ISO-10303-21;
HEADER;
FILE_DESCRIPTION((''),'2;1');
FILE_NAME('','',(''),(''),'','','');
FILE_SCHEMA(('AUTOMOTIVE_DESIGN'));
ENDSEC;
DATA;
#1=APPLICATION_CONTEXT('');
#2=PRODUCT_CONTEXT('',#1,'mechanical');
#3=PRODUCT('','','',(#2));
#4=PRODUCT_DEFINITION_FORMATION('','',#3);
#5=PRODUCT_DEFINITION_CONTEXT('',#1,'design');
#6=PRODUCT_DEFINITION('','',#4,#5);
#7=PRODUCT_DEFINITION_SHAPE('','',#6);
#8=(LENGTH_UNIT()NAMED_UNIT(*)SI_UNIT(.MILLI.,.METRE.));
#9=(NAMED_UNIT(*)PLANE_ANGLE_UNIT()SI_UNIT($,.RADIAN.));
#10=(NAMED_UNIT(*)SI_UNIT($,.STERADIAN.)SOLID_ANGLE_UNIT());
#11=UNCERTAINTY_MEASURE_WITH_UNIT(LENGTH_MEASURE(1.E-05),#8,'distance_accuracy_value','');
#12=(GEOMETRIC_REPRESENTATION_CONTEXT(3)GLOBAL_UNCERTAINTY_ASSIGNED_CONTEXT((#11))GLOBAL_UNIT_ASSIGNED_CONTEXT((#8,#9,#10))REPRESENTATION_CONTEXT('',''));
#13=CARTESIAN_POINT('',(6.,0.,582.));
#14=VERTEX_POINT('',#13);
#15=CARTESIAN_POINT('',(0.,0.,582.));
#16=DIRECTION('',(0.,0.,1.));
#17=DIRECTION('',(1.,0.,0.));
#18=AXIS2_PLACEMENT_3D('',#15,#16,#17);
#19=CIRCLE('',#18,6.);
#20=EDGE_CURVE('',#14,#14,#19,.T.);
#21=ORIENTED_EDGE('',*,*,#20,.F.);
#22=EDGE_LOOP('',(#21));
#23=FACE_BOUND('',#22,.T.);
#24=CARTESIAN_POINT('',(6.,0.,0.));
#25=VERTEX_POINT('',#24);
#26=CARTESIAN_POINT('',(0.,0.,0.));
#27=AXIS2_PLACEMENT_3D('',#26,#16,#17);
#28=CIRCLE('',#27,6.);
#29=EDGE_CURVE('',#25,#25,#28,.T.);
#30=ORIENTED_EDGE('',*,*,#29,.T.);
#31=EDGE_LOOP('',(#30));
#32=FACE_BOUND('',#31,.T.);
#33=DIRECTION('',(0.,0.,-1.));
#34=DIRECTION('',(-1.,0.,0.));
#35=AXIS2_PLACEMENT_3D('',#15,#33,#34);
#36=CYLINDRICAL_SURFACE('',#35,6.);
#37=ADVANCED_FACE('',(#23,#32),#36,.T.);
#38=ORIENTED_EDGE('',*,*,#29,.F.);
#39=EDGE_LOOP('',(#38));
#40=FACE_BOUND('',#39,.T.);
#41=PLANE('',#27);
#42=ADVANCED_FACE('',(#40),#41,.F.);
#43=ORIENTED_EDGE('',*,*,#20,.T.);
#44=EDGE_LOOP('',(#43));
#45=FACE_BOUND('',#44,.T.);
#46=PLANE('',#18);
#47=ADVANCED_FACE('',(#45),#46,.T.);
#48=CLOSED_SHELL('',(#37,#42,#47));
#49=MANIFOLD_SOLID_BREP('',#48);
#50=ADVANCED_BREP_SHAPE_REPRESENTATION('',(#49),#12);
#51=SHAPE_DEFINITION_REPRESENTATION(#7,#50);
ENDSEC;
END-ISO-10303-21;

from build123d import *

# Parameters (mm, degrees)
IZIM1_R                     = 6
Y_KSEKLIK_EKSTR_ZYON1_DEPTH = 582


with BuildPart() as part:
    # Çizim1 → Yükseklik-Ekstrüzyon1 (new body)
    with BuildSketch(Plane.XY):
        Circle(IZIM1_R)
    extrude(amount=Y_KSEKLIK_EKSTR_ZYON1_DEPTH)


solid = part.part
